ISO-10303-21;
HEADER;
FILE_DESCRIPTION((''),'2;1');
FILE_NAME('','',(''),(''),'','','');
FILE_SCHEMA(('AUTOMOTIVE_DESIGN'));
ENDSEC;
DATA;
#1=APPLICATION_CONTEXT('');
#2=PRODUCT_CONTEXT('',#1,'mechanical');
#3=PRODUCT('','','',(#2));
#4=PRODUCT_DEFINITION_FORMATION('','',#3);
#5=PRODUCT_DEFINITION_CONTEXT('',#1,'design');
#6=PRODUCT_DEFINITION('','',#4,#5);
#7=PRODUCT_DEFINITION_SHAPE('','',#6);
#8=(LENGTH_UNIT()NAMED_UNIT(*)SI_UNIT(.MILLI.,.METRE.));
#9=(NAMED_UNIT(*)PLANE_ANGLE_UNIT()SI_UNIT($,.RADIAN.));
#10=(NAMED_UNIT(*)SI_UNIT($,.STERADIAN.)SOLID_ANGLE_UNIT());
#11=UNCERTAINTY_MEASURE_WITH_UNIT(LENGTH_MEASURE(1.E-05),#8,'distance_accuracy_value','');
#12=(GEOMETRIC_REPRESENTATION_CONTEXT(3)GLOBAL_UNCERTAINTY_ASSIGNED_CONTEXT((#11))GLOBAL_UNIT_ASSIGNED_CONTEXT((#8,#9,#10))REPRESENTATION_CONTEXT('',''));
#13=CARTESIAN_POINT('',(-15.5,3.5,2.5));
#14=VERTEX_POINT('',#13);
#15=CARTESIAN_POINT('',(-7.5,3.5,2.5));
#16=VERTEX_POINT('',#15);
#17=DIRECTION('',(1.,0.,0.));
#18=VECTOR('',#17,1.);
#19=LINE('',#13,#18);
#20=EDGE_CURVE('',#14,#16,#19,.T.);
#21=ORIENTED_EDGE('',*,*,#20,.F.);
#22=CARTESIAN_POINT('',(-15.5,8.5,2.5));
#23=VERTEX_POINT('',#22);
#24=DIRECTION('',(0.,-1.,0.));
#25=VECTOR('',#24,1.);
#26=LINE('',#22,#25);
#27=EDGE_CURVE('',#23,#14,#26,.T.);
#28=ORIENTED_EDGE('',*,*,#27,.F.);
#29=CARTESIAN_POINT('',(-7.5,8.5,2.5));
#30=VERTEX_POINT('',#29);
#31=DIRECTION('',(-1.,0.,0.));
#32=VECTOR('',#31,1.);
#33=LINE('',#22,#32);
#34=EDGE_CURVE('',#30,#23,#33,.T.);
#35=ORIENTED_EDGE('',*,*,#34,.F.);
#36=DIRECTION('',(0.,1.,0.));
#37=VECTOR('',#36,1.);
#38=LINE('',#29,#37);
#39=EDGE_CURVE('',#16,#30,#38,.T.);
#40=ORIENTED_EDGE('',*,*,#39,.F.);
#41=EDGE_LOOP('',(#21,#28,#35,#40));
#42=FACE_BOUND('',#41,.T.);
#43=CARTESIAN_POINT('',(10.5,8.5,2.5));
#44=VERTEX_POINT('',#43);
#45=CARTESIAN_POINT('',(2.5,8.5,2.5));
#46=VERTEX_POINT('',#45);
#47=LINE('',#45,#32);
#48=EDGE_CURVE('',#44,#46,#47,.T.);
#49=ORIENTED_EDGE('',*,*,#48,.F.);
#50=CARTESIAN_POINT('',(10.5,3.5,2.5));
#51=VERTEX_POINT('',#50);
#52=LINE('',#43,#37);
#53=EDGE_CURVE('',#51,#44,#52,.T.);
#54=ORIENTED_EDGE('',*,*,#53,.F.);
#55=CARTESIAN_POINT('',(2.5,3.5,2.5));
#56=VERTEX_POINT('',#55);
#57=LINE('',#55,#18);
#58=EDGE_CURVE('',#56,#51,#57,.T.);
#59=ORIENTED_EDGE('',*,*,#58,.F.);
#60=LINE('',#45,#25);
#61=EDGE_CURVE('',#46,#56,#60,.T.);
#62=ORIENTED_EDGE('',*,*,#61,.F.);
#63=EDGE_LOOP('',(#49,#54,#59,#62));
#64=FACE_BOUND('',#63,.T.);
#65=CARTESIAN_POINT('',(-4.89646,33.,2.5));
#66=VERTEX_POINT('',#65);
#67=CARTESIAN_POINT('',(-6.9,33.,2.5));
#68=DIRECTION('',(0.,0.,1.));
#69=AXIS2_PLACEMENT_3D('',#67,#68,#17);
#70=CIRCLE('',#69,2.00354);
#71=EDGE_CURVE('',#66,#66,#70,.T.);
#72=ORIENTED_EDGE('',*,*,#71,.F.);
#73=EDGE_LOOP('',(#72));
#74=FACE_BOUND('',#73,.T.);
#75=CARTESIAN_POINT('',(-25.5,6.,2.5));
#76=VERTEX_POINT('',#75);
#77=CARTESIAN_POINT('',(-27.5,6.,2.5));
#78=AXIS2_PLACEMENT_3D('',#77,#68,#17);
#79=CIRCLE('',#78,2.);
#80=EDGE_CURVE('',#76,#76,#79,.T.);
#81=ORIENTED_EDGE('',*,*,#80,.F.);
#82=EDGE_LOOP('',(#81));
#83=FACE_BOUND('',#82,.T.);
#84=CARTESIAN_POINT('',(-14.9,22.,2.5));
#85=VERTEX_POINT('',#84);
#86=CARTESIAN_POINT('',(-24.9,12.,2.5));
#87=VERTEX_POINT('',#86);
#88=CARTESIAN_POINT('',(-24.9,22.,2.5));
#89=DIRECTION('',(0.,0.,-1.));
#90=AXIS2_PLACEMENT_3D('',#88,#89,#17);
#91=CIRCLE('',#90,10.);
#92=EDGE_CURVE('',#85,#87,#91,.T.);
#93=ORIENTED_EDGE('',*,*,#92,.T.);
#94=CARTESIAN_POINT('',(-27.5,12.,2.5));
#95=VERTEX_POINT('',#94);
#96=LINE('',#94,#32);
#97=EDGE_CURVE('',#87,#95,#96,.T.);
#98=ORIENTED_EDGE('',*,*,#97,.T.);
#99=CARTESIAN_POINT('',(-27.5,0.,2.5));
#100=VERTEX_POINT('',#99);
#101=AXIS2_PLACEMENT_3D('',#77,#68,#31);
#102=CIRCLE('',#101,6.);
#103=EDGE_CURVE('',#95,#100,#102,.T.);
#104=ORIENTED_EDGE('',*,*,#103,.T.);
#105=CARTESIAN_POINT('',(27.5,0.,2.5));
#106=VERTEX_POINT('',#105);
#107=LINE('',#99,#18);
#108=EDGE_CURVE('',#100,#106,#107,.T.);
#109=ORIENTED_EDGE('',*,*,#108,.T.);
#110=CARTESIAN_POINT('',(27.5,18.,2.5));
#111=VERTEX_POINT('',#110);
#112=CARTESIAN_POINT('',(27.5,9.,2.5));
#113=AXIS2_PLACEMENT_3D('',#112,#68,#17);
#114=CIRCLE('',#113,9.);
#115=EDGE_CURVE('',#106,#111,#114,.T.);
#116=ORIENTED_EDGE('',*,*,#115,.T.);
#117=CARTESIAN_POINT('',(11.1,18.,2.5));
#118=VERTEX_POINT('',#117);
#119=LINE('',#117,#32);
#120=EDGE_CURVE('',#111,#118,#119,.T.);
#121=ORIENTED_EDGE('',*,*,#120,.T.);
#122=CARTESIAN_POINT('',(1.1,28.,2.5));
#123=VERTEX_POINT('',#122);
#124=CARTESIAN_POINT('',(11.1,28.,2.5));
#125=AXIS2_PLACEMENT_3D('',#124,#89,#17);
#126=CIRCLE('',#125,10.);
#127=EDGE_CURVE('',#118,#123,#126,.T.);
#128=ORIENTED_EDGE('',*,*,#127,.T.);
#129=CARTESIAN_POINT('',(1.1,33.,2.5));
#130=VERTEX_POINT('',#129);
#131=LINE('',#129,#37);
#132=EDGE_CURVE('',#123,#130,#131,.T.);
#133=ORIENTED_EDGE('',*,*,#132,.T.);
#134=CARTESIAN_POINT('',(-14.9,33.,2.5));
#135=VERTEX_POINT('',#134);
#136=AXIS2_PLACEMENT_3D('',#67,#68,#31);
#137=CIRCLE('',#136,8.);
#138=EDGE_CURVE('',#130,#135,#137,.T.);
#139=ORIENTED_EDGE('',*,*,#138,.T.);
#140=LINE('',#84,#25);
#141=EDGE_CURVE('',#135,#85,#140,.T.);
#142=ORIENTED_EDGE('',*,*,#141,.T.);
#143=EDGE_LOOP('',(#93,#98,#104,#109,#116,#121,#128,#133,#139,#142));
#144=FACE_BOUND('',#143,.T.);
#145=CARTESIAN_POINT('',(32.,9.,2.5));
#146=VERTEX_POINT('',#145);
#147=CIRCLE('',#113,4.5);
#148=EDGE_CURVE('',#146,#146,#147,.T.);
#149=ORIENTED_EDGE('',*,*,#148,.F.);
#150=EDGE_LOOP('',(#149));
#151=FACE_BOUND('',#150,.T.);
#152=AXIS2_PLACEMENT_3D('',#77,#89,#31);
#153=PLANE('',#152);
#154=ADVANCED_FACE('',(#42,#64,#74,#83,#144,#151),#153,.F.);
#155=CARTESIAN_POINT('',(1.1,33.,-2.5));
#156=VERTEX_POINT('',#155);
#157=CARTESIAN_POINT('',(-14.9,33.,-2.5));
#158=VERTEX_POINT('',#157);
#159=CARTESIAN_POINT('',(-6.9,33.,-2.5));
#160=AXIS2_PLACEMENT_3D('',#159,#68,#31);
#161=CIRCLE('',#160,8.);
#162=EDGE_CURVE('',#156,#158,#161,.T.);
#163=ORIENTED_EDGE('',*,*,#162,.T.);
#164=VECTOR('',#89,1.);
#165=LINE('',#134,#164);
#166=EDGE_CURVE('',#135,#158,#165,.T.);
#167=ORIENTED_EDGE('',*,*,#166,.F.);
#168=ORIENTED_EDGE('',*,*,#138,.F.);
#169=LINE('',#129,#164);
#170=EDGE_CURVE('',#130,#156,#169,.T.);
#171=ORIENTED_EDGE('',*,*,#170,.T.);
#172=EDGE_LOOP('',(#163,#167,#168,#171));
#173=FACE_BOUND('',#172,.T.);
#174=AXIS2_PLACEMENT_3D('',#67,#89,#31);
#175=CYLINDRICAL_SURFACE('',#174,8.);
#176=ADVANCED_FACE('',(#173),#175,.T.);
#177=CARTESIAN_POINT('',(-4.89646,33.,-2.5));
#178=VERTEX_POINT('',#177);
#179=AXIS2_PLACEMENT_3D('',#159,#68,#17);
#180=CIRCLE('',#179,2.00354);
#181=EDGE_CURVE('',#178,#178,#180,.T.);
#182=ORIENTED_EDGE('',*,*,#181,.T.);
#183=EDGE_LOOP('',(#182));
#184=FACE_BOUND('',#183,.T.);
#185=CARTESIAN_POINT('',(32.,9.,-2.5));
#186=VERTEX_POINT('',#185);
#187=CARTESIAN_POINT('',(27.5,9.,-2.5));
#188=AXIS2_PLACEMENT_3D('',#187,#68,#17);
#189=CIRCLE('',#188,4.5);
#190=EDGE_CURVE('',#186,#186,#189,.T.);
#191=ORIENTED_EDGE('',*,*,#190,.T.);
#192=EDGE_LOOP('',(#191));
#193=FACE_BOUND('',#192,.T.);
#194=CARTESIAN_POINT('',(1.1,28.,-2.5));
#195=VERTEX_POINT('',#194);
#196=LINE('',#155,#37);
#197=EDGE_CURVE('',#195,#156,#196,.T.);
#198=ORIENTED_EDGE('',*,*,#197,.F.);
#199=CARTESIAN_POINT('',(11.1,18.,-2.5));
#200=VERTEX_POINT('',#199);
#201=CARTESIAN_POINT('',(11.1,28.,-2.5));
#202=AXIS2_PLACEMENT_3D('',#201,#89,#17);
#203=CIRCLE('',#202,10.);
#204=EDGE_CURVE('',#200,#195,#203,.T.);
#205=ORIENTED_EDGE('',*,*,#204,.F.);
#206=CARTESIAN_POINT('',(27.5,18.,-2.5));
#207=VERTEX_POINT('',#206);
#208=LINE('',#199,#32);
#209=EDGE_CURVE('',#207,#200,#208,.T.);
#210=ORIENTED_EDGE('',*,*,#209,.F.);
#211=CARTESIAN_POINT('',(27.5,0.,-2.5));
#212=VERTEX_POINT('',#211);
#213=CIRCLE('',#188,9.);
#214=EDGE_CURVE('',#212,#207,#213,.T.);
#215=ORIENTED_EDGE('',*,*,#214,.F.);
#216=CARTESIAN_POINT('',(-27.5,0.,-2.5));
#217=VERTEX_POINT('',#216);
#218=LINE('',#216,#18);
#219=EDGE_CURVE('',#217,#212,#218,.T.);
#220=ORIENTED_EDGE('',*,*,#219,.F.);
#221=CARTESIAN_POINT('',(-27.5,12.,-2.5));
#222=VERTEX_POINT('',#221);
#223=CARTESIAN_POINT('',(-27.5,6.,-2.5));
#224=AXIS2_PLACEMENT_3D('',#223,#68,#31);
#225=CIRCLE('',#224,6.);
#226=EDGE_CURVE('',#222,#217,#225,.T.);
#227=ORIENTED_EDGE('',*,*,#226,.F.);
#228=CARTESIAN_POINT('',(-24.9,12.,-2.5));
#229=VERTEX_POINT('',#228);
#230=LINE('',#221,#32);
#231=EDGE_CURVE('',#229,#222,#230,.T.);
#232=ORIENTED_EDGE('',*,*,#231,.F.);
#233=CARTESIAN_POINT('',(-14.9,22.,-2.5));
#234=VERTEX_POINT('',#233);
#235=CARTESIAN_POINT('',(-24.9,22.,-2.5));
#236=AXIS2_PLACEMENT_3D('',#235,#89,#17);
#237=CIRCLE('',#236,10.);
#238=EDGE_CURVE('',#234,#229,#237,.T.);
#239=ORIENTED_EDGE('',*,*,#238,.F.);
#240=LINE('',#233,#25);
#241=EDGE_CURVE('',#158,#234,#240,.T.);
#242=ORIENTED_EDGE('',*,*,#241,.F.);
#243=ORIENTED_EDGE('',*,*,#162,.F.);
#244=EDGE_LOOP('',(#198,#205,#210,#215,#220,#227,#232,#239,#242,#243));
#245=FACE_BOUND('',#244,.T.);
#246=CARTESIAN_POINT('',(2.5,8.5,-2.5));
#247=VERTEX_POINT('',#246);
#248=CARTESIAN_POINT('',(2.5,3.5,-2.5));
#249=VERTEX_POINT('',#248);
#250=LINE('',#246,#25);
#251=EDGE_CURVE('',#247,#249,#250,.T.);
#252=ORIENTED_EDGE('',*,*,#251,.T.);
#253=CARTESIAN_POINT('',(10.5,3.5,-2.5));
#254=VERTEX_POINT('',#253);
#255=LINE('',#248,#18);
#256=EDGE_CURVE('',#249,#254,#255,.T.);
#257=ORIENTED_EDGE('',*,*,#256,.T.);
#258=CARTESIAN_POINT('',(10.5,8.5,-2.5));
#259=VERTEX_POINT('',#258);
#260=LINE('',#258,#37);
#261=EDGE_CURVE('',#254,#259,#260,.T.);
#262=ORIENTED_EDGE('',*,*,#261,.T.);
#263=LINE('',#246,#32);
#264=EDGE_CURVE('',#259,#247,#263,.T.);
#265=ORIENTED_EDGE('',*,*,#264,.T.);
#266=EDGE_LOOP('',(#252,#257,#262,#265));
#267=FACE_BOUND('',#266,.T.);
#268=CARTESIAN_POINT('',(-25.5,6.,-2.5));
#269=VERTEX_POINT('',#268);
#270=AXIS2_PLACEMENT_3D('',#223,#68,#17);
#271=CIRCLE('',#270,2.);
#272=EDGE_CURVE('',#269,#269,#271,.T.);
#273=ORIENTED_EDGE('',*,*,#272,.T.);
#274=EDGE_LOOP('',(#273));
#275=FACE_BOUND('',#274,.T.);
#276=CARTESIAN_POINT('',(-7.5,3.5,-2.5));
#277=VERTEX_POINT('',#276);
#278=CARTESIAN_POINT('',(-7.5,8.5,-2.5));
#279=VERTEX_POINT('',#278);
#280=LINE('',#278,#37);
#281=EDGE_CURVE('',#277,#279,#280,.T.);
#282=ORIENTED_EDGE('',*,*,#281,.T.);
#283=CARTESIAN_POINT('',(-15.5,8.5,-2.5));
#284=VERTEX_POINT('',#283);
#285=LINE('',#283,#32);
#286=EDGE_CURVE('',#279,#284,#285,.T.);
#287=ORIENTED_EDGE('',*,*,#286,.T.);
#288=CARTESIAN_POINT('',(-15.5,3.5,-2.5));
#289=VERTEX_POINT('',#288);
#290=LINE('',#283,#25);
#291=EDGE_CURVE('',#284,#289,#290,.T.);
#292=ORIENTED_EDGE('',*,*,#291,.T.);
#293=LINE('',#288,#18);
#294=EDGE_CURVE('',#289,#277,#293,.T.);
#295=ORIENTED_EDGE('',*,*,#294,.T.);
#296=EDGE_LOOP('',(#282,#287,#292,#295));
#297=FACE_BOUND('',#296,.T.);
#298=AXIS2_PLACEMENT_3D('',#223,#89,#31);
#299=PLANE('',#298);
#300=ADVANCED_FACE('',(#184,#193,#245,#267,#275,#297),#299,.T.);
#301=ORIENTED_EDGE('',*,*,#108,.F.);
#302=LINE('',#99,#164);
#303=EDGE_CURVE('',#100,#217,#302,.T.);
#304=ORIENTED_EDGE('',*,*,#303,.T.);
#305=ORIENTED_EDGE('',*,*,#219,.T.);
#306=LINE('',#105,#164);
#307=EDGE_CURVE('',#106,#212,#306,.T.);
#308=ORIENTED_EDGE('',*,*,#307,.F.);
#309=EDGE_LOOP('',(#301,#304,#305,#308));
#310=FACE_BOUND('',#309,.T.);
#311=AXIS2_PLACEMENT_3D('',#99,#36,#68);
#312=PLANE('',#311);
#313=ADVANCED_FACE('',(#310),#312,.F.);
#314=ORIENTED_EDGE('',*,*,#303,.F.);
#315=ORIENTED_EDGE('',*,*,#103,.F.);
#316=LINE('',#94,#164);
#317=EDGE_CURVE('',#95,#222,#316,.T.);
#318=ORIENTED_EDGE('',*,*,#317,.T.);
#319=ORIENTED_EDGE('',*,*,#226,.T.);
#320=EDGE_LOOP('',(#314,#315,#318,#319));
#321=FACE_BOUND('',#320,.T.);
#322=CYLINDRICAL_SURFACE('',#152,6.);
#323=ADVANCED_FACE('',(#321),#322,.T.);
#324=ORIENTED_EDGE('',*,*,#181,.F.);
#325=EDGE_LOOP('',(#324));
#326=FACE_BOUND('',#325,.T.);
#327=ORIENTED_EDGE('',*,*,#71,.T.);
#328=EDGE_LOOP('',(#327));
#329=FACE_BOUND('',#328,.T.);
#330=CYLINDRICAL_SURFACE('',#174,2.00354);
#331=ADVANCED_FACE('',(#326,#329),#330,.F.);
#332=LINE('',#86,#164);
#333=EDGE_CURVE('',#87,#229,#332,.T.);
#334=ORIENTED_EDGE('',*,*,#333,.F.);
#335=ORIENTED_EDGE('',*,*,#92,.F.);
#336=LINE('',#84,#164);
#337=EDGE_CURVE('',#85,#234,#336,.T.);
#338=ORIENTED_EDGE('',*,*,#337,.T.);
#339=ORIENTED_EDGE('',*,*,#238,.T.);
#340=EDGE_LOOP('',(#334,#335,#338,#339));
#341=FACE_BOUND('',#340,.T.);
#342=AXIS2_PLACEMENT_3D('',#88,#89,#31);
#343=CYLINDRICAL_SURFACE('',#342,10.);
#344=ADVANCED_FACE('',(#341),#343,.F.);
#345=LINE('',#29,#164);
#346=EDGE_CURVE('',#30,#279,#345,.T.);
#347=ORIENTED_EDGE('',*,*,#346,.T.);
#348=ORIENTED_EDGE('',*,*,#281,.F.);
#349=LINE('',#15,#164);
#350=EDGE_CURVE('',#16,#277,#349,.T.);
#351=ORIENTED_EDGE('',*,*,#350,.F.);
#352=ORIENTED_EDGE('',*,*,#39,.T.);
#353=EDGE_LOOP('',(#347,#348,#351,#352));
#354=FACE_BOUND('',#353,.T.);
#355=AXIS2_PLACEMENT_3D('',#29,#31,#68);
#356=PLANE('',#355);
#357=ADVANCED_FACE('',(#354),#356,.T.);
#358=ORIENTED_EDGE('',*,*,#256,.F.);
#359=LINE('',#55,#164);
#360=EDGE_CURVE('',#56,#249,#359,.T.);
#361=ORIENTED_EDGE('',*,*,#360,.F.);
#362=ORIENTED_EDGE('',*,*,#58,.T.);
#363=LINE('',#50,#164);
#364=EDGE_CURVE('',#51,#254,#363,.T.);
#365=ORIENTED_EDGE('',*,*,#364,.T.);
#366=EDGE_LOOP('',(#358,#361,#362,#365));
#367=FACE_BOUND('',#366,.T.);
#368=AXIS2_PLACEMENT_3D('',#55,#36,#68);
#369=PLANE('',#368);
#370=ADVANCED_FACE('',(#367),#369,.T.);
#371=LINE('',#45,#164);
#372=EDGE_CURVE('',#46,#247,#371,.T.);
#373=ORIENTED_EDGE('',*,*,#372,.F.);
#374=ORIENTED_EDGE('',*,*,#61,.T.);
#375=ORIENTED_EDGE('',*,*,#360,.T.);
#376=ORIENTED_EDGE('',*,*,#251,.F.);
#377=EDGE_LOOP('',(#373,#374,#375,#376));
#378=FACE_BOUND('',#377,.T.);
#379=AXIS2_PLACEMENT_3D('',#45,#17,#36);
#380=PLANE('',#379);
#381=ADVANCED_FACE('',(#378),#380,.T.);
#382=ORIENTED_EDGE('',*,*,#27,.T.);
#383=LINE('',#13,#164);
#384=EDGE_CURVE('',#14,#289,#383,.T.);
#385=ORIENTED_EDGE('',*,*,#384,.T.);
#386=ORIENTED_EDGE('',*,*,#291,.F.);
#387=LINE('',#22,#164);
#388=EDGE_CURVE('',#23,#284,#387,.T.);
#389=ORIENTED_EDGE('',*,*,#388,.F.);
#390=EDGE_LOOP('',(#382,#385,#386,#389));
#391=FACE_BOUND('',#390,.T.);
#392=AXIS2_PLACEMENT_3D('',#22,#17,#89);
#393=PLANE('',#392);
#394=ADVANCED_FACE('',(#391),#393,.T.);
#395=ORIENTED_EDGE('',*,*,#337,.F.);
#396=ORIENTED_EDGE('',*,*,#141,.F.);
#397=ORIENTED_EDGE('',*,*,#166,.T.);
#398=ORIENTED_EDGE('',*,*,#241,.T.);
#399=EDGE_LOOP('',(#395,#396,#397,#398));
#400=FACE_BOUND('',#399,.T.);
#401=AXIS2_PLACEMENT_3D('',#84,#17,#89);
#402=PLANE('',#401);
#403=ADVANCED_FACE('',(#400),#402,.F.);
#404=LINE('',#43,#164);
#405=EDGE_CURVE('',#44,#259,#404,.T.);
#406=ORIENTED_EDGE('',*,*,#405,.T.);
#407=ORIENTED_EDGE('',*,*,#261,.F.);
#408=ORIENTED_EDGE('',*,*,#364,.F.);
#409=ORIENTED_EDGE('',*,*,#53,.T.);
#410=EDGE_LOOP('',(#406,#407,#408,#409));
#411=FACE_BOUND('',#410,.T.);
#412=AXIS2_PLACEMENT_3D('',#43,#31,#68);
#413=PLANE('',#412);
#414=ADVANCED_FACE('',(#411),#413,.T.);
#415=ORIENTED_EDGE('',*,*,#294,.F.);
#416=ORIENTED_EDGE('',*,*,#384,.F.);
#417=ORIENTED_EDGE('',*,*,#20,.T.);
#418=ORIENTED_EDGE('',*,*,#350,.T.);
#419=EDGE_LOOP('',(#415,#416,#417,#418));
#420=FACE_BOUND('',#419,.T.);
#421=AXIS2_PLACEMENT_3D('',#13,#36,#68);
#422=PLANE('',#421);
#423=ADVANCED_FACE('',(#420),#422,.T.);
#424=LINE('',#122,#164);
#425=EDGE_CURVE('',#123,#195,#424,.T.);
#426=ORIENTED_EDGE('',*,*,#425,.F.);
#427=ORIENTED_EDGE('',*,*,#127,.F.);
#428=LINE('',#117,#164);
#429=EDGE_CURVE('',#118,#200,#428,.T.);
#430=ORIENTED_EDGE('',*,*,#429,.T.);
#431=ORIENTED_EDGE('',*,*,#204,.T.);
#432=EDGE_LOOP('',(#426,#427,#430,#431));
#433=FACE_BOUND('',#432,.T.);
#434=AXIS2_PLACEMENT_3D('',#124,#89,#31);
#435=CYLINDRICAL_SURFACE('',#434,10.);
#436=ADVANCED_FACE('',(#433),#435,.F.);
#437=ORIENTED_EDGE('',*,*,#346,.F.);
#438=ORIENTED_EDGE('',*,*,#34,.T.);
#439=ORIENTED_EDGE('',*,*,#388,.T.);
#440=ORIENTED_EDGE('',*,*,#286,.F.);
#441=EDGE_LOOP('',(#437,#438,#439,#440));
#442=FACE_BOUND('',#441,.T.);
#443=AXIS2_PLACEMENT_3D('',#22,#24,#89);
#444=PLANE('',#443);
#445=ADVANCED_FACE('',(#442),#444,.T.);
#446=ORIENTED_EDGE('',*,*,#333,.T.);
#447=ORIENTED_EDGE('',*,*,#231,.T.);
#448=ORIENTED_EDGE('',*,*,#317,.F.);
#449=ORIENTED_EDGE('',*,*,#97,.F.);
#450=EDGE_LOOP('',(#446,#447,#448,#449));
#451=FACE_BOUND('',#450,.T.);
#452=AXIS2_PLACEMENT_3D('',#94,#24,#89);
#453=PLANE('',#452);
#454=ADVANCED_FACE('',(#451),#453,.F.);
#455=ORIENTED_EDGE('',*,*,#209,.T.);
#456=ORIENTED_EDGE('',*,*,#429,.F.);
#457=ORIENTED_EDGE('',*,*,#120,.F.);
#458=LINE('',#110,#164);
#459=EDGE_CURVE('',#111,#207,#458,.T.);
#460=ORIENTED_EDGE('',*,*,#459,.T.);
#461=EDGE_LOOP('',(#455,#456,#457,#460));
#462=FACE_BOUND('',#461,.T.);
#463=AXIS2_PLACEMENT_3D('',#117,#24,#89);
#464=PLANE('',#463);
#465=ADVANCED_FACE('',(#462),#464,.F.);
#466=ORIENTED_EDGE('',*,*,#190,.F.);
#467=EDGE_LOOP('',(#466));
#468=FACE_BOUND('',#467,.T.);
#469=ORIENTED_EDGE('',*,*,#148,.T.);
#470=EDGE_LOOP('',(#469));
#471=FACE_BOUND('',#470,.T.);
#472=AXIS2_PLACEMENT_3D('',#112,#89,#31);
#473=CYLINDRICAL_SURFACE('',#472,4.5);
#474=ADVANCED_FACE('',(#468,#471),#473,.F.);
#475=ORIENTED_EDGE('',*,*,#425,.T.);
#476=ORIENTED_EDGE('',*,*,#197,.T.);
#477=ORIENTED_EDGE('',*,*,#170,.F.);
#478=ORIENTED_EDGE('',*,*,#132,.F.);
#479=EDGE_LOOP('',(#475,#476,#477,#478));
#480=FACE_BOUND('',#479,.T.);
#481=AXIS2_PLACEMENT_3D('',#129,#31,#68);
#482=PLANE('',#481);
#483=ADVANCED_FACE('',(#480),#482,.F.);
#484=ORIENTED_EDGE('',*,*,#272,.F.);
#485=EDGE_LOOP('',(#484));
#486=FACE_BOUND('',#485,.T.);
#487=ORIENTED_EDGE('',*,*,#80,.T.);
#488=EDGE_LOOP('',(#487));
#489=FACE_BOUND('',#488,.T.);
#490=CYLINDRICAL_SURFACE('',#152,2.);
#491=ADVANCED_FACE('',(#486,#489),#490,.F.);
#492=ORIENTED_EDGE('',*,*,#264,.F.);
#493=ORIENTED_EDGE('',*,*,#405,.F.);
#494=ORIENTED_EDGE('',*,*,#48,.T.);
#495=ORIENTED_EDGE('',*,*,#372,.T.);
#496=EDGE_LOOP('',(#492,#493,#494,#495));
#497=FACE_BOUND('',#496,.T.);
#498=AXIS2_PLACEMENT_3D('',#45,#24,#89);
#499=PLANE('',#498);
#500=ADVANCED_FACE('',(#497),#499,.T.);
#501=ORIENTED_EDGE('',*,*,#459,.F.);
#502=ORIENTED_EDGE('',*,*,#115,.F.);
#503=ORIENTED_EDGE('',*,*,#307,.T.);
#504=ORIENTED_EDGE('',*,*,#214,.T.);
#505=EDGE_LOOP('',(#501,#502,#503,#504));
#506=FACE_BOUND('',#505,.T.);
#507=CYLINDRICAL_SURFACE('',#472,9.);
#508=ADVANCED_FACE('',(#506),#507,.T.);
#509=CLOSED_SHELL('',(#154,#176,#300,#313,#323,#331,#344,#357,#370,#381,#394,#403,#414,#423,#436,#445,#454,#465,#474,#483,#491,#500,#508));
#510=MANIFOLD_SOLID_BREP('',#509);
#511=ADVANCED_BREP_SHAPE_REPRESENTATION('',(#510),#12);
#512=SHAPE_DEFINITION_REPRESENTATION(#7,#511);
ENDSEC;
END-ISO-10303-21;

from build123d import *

# Parameters (mm, degrees)
SKETCH1_R           = 4.5
SKETCH1_R_2         = 2
SKETCH1_R_3         = 2.003539683
SKETCH1_W           = 8
SKETCH1_H           = 5
BOSS_EXTRUDE1_DEPTH = 2.5


with BuildPart() as part:
    # Sketch1 → Boss-Extrude1 (new, symmetric)
    with BuildSketch(Plane.XY):
        with BuildLine():
            Line((-27.5, 0), (27.5, 0))
            ThreePointArc((27.5, 0), (36.5, 9), (27.5, 18))
            Line((27.5, 18), (11.1, 18))
            ThreePointArc((11.1, 18), (4.028932188, 20.928932188), (1.1, 28))
            Line((1.1, 28), (1.1, 33))
            ThreePointArc((1.1, 33), (-6.9, 41), (-14.9, 33))
            Line((-14.9, 33), (-14.9, 22))
            ThreePointArc((-14.9, 22), (-17.828932188, 14.928932188), (-24.9, 12))
            Line((-24.9, 12), (-27.5, 12))
            ThreePointArc((-27.5, 12), (-33.5, 6), (-27.5, 0))
        make_face()
        with Locations((27.5, 9)):
            Circle(SKETCH1_R, mode=Mode.SUBTRACT)
        with Locations((-27.5, 6)):
            Circle(SKETCH1_R_2, mode=Mode.SUBTRACT)
        with Locations((-6.9, 33)):
            Circle(SKETCH1_R_3, mode=Mode.SUBTRACT)
        with Locations((-11.5, 6)):
            Rectangle(SKETCH1_W, SKETCH1_H, mode=Mode.SUBTRACT)
        with Locations((6.5, 6)):
            Rectangle(SKETCH1_W, SKETCH1_H, mode=Mode.SUBTRACT)
    extrude(amount=BOSS_EXTRUDE1_DEPTH, both=True)


solid = part.part
